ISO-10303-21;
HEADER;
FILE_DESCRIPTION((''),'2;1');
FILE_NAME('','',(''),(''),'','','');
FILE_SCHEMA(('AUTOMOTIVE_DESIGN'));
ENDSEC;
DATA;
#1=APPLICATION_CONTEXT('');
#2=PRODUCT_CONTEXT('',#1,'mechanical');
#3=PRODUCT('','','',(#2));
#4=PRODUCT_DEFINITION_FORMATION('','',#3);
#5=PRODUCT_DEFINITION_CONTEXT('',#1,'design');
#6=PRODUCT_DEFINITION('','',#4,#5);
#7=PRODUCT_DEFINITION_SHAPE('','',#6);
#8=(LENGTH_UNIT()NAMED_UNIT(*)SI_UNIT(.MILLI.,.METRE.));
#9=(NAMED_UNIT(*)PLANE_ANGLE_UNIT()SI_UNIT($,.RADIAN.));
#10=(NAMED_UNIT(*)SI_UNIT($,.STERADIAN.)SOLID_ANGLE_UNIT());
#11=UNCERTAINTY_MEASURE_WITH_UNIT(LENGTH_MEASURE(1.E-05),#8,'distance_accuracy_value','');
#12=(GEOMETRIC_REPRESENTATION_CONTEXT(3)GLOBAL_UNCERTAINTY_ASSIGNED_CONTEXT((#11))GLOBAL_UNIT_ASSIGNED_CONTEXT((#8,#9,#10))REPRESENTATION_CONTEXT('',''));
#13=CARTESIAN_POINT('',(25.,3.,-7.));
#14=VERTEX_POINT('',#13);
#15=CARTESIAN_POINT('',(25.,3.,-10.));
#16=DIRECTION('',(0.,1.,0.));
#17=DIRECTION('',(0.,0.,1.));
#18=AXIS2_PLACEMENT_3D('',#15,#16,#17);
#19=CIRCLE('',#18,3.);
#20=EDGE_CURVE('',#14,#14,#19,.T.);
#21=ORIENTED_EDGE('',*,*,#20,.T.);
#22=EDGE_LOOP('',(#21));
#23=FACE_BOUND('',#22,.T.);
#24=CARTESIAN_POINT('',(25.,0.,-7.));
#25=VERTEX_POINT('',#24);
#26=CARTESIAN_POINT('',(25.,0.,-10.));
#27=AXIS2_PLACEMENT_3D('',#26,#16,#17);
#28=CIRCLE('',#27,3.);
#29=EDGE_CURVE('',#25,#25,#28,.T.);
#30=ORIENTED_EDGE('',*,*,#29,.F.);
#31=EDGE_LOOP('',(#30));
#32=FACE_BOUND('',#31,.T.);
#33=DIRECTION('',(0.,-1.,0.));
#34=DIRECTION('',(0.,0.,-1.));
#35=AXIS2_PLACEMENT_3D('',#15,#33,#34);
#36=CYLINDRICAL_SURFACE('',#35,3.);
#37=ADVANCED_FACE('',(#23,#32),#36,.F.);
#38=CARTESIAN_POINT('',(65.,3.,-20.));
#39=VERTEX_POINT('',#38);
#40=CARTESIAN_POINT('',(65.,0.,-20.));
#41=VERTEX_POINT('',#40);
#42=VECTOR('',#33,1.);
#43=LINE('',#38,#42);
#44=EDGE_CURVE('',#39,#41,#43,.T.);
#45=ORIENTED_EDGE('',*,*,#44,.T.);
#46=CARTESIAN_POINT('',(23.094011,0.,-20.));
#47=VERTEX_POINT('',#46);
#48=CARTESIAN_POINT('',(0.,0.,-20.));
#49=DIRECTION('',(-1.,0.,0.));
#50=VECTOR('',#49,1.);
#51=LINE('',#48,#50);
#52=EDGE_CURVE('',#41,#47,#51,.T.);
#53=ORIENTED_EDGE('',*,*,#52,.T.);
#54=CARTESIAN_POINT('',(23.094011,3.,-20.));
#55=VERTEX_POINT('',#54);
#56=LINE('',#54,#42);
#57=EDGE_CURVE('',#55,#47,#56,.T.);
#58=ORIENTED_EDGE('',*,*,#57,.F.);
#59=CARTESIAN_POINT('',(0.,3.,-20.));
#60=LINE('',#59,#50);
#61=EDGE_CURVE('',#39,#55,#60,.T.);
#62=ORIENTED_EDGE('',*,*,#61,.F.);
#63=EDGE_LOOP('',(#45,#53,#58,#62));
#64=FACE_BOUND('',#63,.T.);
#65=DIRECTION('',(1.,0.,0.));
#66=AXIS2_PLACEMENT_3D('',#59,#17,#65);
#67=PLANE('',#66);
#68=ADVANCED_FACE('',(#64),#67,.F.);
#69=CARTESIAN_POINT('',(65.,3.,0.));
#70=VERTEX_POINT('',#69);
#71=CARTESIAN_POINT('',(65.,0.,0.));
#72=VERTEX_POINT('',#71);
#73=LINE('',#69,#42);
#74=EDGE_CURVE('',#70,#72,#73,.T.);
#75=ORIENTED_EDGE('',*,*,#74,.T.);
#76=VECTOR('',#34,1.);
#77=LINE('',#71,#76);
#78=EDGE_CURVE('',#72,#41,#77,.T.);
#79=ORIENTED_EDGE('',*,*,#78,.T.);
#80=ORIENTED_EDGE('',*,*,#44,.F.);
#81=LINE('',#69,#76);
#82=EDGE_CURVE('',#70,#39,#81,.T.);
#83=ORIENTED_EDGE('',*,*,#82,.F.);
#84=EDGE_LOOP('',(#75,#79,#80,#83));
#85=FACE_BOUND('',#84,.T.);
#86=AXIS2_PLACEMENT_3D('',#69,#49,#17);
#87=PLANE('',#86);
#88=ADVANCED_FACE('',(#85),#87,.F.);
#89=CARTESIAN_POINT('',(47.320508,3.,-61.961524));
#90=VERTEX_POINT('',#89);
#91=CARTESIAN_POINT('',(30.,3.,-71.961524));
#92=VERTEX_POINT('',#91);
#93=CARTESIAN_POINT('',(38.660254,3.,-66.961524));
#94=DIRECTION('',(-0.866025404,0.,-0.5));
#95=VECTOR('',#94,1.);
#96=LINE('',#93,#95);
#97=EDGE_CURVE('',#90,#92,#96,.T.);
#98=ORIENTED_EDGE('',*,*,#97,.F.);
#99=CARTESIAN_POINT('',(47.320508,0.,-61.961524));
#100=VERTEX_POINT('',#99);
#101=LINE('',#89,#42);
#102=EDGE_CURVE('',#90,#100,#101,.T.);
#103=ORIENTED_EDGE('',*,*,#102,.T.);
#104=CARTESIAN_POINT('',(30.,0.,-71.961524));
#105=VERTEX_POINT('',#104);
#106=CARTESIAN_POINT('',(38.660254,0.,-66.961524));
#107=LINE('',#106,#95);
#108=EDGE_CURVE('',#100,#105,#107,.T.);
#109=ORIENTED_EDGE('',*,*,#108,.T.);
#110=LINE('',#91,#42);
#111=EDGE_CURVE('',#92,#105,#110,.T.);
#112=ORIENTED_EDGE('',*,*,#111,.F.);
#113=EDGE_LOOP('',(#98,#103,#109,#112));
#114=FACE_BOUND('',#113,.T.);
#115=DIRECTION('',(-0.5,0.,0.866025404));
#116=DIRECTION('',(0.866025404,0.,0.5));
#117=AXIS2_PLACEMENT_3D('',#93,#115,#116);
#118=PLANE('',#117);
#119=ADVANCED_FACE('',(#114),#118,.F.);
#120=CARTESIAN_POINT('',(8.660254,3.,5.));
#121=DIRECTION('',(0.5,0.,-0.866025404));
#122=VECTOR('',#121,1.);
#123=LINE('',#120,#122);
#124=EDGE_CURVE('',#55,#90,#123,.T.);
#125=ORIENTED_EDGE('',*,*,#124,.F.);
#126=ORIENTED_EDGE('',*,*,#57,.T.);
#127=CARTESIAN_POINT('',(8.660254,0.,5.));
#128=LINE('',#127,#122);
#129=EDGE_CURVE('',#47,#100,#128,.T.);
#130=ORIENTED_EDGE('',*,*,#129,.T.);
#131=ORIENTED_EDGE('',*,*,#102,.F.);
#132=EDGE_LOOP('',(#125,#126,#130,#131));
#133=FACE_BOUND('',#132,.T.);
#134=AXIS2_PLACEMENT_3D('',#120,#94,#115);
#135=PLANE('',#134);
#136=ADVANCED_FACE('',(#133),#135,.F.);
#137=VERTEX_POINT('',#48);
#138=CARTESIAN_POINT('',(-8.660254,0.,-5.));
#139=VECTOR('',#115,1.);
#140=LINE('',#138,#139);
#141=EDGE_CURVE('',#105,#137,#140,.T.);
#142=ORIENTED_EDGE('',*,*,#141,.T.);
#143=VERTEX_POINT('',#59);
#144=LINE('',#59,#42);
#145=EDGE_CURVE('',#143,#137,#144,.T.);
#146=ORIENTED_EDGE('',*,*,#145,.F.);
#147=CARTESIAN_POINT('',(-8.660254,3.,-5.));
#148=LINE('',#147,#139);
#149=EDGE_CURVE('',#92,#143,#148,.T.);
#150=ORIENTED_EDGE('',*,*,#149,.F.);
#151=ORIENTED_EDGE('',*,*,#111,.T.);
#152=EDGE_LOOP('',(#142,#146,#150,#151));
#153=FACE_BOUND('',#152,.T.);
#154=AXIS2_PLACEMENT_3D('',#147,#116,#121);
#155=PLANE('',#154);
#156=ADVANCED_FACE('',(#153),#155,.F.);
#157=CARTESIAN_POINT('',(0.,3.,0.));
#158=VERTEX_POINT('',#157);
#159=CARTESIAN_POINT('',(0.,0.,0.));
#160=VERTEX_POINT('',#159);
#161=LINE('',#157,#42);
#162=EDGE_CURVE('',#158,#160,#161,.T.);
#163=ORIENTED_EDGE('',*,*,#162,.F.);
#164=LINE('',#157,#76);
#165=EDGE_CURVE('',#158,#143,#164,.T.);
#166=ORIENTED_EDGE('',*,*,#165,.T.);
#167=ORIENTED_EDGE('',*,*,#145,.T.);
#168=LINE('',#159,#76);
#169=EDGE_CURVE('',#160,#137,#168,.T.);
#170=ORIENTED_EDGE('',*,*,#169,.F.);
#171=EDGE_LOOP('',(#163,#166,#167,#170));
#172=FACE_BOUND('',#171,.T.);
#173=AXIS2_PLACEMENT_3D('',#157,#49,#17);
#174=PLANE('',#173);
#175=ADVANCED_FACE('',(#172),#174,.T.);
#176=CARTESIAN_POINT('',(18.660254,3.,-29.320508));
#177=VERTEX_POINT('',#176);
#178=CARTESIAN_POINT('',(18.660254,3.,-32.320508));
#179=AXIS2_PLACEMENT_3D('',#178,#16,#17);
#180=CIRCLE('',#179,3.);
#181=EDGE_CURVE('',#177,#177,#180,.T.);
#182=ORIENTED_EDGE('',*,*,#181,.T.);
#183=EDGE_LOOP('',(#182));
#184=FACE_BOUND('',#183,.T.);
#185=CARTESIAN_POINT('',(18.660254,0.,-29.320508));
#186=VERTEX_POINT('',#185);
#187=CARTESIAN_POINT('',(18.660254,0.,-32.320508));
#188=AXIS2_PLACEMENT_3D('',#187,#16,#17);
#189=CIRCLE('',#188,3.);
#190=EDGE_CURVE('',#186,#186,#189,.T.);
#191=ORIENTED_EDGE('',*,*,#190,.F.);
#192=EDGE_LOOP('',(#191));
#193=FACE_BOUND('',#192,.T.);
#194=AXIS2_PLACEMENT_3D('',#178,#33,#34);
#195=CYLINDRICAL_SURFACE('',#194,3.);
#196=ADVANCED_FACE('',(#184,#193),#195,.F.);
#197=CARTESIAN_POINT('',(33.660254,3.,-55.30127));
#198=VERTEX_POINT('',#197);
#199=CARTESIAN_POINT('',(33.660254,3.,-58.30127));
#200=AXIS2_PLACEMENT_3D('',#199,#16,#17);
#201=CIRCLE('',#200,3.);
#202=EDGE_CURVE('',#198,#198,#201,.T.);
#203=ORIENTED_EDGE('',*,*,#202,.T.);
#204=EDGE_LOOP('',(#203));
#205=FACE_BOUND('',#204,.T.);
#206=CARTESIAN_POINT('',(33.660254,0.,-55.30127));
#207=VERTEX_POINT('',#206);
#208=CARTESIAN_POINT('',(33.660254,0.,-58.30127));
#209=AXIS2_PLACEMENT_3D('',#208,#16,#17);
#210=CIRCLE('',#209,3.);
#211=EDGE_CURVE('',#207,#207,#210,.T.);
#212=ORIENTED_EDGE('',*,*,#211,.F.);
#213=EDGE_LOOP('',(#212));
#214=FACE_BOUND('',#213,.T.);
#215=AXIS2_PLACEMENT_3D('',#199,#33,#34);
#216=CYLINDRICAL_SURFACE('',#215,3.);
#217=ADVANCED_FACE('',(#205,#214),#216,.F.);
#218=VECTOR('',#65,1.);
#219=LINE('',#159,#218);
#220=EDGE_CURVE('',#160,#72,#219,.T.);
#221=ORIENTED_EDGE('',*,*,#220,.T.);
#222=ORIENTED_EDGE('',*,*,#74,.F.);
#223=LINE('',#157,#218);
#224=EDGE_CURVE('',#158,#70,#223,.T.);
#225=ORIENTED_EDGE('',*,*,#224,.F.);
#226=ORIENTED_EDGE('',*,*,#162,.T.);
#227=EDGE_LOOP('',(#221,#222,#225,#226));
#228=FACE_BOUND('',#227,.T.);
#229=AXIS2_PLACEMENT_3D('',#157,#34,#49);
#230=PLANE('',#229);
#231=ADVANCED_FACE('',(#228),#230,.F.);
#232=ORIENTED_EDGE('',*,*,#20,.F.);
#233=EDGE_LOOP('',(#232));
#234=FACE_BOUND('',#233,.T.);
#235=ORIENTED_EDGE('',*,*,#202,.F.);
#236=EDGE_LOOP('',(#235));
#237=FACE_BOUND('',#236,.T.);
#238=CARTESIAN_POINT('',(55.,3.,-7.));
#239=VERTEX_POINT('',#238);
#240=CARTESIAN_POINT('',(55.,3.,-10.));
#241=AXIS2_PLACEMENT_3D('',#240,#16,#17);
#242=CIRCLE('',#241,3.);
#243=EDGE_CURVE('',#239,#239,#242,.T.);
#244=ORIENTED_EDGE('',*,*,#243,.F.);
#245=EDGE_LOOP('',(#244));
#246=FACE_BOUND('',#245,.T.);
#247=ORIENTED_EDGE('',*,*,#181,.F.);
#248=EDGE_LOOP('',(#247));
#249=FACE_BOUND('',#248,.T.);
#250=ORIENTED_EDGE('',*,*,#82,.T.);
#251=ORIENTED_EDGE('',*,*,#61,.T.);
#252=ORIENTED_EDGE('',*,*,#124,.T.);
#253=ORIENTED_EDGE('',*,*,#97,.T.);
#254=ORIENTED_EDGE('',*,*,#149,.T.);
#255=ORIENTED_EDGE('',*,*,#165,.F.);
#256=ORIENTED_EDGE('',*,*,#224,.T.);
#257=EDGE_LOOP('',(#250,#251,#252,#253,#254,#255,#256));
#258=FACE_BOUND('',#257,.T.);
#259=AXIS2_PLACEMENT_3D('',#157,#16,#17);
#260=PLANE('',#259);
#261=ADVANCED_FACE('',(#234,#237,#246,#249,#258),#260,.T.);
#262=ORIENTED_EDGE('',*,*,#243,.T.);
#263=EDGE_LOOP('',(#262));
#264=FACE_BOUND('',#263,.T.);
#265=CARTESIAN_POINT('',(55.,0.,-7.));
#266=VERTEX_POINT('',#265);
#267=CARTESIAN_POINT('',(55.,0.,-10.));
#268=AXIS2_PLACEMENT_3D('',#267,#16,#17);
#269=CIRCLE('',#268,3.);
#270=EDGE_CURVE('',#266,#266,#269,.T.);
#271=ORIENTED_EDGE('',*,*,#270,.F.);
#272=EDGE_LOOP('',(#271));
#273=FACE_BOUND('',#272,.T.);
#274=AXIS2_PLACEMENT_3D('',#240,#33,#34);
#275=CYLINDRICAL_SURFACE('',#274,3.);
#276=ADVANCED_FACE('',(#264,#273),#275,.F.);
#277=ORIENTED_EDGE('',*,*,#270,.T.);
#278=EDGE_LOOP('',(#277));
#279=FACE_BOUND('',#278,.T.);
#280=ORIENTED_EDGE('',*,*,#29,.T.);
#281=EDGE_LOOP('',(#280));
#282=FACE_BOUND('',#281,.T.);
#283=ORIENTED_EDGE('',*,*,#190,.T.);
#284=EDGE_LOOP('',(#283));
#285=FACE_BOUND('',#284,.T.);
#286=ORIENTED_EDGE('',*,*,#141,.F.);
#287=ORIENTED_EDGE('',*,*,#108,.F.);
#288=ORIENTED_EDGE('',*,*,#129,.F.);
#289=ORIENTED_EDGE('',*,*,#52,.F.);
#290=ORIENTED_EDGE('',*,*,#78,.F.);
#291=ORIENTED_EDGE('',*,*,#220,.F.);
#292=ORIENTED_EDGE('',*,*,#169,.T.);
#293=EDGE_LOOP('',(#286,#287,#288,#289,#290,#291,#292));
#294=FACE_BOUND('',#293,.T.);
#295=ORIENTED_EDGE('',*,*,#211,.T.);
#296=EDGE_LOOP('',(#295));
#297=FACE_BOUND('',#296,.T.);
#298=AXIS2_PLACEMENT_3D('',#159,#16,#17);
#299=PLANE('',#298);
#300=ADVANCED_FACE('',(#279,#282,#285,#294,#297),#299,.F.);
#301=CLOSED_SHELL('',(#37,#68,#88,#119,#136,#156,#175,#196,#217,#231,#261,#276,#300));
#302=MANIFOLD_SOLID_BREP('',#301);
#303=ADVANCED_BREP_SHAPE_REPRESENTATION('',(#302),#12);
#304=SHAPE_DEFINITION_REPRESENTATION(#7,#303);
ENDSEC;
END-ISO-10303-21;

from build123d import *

# Parameters (mm, degrees)
SKETCH_1_R      = 3
EXTRUDE_1_DEPTH = 3


with BuildPart() as part:
    # 草图1 → 凸台-拉伸1 (new body)
    with BuildSketch(Plane(origin=(0, 0, 0), x_dir=(1, 0, 0), z_dir=(0, 1, 0))):
        Polygon((0, 0), (0, 20), (30, 71.961524227), (47.320508076, 61.961524227), (23.094010768, 20), (65, 20), (65, 0), align=None)
        with Locations(Location((18.660254038, 32.320508076, 0), (0, 0, 270))):
            Circle(SKETCH_1_R, mode=Mode.SUBTRACT)
        with Locations(Location((33.660254038, 58.301270189, 0), (0, 0, 270))):
            Circle(SKETCH_1_R, mode=Mode.SUBTRACT)
        with Locations(Location((25, 10, 0), (0, 0, 270))):
            Circle(SKETCH_1_R, mode=Mode.SUBTRACT)
        with Locations(Location((55, 10, 0), (0, 0, 270))):
            Circle(SKETCH_1_R, mode=Mode.SUBTRACT)
    extrude(amount=EXTRUDE_1_DEPTH)


solid = part.part
